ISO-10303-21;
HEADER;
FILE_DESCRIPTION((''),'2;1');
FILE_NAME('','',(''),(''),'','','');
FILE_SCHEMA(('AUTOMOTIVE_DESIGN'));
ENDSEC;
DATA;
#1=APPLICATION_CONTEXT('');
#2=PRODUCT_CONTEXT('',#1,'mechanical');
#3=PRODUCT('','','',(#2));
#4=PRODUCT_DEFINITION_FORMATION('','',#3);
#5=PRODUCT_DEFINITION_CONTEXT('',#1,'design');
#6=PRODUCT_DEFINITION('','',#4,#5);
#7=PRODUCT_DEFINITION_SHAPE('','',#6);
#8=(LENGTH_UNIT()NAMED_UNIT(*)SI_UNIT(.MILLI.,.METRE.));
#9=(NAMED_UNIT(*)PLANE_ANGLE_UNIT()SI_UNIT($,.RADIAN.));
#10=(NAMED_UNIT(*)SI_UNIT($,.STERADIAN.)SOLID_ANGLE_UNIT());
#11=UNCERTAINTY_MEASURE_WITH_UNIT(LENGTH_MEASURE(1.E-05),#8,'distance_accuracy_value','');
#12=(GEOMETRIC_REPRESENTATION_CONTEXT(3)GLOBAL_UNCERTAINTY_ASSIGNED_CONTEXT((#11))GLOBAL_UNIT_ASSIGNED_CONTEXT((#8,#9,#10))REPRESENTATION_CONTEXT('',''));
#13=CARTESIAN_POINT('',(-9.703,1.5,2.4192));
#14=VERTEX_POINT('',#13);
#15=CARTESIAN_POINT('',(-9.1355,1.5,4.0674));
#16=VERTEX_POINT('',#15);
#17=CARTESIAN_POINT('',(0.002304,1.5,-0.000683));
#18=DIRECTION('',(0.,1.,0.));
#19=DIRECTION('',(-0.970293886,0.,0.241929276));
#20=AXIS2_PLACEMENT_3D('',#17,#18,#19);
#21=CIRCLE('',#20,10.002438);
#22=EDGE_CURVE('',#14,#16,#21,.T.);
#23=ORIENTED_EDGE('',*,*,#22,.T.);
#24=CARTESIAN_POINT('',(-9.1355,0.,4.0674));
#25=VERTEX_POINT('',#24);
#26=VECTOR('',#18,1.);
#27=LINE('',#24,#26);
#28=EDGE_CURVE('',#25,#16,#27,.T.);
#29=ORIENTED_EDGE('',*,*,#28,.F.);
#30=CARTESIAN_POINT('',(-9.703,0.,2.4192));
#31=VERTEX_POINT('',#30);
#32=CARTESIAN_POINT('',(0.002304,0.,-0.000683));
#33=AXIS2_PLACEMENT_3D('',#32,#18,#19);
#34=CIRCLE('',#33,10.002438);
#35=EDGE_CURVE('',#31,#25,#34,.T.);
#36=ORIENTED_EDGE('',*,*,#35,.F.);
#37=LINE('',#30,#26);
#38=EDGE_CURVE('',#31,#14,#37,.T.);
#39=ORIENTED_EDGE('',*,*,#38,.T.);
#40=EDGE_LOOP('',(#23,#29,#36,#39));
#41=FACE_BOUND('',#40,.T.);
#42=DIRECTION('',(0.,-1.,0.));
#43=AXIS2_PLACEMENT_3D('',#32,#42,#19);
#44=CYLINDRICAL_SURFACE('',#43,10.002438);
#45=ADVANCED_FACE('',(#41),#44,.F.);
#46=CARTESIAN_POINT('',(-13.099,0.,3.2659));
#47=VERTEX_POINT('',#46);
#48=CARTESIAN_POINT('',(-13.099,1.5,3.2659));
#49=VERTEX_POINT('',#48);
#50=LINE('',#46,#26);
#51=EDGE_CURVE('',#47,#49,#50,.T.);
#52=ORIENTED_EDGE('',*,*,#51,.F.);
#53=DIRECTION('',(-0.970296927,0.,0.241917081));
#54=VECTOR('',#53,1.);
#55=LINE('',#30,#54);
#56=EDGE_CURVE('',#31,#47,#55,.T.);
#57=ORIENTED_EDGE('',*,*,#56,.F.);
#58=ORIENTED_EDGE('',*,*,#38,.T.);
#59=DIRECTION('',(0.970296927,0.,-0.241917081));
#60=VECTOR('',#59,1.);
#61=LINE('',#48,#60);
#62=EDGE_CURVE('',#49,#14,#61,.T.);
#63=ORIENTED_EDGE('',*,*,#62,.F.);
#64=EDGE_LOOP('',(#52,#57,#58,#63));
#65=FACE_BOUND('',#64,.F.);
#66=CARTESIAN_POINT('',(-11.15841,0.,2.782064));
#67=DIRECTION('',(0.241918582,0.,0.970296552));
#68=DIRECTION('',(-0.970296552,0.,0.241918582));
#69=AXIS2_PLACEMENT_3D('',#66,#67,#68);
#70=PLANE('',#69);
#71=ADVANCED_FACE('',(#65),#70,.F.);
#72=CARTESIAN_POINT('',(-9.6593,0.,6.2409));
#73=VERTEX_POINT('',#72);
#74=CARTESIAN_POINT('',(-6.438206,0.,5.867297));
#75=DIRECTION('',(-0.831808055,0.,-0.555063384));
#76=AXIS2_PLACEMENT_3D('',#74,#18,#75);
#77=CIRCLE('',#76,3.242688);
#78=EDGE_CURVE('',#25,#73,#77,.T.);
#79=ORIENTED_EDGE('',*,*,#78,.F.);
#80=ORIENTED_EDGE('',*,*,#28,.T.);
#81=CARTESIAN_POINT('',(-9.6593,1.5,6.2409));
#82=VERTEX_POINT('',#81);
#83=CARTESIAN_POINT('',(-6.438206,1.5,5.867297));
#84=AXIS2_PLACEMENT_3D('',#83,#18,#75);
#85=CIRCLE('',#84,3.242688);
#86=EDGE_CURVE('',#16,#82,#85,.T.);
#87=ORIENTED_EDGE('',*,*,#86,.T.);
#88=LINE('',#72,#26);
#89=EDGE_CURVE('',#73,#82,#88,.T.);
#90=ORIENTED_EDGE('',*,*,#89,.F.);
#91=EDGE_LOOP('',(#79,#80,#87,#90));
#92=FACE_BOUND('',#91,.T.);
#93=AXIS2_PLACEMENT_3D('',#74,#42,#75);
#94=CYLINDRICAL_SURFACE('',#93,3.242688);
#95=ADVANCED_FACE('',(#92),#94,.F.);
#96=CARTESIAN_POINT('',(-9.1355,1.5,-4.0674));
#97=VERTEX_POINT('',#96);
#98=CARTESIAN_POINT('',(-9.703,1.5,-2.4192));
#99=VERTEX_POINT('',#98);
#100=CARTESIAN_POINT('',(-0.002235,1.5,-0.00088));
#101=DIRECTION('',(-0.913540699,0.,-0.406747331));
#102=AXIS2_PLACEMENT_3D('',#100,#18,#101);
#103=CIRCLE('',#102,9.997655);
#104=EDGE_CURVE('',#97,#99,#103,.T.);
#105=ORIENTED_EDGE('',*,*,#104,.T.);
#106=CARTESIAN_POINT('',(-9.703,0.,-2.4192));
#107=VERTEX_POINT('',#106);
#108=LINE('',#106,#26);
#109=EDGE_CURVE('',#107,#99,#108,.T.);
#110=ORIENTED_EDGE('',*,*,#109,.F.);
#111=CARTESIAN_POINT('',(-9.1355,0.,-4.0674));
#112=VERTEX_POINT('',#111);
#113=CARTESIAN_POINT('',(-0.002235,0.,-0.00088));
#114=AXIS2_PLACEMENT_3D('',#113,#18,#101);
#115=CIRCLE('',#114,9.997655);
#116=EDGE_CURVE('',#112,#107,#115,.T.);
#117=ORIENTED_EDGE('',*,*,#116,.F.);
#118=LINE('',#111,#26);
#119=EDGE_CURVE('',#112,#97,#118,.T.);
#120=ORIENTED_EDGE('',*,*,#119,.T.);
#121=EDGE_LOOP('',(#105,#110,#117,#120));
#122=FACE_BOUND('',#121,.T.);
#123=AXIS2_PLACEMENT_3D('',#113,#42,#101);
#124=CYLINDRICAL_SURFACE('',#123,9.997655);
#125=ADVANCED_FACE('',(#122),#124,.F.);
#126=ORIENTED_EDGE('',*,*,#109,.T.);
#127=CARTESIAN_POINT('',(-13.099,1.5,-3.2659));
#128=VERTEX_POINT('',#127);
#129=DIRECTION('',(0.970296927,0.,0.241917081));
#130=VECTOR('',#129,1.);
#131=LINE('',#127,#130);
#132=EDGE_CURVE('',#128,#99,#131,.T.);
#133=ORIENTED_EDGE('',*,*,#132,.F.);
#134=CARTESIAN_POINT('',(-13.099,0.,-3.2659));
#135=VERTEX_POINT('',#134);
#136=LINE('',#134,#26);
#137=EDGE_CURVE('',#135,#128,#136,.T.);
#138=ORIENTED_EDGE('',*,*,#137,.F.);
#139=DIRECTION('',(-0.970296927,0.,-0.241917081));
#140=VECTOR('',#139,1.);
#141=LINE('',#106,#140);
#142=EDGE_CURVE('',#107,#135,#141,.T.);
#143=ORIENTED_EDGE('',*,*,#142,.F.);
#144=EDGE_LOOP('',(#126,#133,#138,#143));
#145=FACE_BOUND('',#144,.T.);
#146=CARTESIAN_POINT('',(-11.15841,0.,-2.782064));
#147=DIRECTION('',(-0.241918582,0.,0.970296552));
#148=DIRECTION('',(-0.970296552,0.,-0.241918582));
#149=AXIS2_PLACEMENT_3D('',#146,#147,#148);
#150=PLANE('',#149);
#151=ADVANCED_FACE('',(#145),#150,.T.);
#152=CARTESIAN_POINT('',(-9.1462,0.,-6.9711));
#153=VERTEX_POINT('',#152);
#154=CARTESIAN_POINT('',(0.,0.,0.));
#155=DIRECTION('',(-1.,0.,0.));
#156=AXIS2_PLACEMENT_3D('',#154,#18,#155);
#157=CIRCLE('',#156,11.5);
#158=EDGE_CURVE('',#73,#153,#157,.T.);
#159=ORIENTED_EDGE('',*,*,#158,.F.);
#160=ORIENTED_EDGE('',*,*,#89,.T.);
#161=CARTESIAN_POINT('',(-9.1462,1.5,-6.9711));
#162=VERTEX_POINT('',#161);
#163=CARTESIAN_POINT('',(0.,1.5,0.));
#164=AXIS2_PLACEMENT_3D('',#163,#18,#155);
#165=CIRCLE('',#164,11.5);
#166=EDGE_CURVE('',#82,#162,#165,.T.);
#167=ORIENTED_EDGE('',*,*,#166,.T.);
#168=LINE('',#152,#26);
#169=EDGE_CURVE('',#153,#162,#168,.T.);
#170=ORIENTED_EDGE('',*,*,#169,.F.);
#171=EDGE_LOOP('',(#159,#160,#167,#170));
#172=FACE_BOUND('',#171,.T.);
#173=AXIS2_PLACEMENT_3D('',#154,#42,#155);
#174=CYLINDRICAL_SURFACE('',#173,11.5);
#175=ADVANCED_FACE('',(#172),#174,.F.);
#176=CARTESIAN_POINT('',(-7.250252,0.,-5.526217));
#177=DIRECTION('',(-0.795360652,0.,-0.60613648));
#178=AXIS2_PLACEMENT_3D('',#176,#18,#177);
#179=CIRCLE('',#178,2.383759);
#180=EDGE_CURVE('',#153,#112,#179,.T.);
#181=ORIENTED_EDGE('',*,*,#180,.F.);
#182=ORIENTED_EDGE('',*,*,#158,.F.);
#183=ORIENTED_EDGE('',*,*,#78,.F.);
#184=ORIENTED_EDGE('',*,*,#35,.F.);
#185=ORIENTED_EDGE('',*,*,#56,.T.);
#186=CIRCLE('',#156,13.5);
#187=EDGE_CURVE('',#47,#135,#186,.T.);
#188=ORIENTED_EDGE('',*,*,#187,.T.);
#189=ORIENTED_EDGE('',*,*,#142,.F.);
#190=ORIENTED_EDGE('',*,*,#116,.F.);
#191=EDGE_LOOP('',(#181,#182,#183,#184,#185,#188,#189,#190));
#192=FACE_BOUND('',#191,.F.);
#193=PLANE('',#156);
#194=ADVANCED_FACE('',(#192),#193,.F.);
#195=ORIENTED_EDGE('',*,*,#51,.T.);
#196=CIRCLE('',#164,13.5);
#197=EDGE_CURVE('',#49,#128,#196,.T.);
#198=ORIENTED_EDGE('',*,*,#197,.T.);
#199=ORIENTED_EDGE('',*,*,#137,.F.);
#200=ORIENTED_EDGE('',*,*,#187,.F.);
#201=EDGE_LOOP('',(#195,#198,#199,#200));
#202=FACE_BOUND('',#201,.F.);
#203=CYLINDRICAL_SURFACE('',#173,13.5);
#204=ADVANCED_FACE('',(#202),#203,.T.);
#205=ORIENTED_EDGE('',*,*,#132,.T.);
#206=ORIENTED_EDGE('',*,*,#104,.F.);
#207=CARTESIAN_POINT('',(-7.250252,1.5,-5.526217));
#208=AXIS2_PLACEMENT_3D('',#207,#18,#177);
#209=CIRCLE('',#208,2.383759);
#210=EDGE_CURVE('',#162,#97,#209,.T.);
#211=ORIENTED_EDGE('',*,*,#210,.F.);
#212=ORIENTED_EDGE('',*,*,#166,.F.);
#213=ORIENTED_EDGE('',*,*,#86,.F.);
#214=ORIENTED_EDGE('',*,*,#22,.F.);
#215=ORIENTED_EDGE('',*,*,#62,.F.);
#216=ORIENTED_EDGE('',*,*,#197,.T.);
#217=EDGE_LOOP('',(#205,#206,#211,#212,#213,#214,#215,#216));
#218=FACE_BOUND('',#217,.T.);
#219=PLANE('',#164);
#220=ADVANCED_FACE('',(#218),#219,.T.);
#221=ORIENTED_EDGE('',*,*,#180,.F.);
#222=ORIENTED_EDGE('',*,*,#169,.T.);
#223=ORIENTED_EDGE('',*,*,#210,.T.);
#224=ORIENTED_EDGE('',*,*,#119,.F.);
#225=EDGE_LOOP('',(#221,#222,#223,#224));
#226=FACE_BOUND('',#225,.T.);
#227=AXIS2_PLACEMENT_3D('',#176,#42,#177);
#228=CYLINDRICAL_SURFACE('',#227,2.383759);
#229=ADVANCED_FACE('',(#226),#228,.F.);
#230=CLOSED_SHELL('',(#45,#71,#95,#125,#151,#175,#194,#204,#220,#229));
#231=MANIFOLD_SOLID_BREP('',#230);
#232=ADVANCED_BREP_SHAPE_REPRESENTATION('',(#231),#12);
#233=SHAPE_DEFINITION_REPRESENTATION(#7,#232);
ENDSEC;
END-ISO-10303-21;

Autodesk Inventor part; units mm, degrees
ref_plane "YZ Plane" through (0, 0, 0) normal (1, 0, 0) x (0, 1, 0)
ref_plane "XZ Plane" through (0, 0, 0) normal (0, 1, 0) x (-1, 0, 0)
ref_plane "XY Plane" through (0, 0, 0) normal (0, 0, 1) x (1, 0, 0)
sketch "Sketch1" plane through (0, 0, 0) normal (0, 1, 0) x (-1, 0, 0)
  circle A0 centre (0, 0) radius 13.5
  circle A1 centre (0, 0) radius 11.5
  line L0 (0, 0) -> (13.099, 3.2659)
  line L1 (0, 0) -> (13.099, -3.2659)
  line L2 (0, 0) -> (13.5, 0)
  circle A2 centre (0, 0) radius 10 construction
  line L3 (0, 0) -> (10.5058, 4.6775)
  line L4 (0, 0) -> (10.5058, -4.6775)
  arc A3 (9.703, 2.4192) -> (9.1355, 4.0674) centre (0, 0) ccw
  arc A4 (9.1355, -4.0674) -> (9.703, -2.4192) centre (0, 0) ccw
  arc A5 (9.1355, 4.0674) -> (9.6593, 6.2409) centre (6.4382, 5.8673) ccw
  arc A6 (9.1462, -6.9711) -> (9.1355, -4.0674) centre (7.2505, -5.5263) ccw
  circle A7 centre (11.3253, 3.4202) radius 0.5578
  circle A8 centre (11.3253, -3.4202) radius 0.5578
  point P0 (11.1584, 2.7821)
  point P1 (11.1584, -2.7821)
  dimension "d0" = 27
  dimension "d1" = 23
  dimension "d2" = 14
  dimension "d3" = 14
  dimension "d4" = 20
  dimension "d5" = 10
  dimension "d6" = 10
extrude "Extrusion1" add sketch "Sketch1" along normal blind 1.5 contours L0 A1 A7 A8 L1 A0 | L0 A3 L3 A1 A7 | A1 A8 L4 A4 L1 | A7 A1 | A1 A7 | A8 A1 | A1 A8 | A5 A1 L3 | L4 A1 A6
properties part number "20_Cube_Insert_Beamsplittercube_Retainring_25mm"
